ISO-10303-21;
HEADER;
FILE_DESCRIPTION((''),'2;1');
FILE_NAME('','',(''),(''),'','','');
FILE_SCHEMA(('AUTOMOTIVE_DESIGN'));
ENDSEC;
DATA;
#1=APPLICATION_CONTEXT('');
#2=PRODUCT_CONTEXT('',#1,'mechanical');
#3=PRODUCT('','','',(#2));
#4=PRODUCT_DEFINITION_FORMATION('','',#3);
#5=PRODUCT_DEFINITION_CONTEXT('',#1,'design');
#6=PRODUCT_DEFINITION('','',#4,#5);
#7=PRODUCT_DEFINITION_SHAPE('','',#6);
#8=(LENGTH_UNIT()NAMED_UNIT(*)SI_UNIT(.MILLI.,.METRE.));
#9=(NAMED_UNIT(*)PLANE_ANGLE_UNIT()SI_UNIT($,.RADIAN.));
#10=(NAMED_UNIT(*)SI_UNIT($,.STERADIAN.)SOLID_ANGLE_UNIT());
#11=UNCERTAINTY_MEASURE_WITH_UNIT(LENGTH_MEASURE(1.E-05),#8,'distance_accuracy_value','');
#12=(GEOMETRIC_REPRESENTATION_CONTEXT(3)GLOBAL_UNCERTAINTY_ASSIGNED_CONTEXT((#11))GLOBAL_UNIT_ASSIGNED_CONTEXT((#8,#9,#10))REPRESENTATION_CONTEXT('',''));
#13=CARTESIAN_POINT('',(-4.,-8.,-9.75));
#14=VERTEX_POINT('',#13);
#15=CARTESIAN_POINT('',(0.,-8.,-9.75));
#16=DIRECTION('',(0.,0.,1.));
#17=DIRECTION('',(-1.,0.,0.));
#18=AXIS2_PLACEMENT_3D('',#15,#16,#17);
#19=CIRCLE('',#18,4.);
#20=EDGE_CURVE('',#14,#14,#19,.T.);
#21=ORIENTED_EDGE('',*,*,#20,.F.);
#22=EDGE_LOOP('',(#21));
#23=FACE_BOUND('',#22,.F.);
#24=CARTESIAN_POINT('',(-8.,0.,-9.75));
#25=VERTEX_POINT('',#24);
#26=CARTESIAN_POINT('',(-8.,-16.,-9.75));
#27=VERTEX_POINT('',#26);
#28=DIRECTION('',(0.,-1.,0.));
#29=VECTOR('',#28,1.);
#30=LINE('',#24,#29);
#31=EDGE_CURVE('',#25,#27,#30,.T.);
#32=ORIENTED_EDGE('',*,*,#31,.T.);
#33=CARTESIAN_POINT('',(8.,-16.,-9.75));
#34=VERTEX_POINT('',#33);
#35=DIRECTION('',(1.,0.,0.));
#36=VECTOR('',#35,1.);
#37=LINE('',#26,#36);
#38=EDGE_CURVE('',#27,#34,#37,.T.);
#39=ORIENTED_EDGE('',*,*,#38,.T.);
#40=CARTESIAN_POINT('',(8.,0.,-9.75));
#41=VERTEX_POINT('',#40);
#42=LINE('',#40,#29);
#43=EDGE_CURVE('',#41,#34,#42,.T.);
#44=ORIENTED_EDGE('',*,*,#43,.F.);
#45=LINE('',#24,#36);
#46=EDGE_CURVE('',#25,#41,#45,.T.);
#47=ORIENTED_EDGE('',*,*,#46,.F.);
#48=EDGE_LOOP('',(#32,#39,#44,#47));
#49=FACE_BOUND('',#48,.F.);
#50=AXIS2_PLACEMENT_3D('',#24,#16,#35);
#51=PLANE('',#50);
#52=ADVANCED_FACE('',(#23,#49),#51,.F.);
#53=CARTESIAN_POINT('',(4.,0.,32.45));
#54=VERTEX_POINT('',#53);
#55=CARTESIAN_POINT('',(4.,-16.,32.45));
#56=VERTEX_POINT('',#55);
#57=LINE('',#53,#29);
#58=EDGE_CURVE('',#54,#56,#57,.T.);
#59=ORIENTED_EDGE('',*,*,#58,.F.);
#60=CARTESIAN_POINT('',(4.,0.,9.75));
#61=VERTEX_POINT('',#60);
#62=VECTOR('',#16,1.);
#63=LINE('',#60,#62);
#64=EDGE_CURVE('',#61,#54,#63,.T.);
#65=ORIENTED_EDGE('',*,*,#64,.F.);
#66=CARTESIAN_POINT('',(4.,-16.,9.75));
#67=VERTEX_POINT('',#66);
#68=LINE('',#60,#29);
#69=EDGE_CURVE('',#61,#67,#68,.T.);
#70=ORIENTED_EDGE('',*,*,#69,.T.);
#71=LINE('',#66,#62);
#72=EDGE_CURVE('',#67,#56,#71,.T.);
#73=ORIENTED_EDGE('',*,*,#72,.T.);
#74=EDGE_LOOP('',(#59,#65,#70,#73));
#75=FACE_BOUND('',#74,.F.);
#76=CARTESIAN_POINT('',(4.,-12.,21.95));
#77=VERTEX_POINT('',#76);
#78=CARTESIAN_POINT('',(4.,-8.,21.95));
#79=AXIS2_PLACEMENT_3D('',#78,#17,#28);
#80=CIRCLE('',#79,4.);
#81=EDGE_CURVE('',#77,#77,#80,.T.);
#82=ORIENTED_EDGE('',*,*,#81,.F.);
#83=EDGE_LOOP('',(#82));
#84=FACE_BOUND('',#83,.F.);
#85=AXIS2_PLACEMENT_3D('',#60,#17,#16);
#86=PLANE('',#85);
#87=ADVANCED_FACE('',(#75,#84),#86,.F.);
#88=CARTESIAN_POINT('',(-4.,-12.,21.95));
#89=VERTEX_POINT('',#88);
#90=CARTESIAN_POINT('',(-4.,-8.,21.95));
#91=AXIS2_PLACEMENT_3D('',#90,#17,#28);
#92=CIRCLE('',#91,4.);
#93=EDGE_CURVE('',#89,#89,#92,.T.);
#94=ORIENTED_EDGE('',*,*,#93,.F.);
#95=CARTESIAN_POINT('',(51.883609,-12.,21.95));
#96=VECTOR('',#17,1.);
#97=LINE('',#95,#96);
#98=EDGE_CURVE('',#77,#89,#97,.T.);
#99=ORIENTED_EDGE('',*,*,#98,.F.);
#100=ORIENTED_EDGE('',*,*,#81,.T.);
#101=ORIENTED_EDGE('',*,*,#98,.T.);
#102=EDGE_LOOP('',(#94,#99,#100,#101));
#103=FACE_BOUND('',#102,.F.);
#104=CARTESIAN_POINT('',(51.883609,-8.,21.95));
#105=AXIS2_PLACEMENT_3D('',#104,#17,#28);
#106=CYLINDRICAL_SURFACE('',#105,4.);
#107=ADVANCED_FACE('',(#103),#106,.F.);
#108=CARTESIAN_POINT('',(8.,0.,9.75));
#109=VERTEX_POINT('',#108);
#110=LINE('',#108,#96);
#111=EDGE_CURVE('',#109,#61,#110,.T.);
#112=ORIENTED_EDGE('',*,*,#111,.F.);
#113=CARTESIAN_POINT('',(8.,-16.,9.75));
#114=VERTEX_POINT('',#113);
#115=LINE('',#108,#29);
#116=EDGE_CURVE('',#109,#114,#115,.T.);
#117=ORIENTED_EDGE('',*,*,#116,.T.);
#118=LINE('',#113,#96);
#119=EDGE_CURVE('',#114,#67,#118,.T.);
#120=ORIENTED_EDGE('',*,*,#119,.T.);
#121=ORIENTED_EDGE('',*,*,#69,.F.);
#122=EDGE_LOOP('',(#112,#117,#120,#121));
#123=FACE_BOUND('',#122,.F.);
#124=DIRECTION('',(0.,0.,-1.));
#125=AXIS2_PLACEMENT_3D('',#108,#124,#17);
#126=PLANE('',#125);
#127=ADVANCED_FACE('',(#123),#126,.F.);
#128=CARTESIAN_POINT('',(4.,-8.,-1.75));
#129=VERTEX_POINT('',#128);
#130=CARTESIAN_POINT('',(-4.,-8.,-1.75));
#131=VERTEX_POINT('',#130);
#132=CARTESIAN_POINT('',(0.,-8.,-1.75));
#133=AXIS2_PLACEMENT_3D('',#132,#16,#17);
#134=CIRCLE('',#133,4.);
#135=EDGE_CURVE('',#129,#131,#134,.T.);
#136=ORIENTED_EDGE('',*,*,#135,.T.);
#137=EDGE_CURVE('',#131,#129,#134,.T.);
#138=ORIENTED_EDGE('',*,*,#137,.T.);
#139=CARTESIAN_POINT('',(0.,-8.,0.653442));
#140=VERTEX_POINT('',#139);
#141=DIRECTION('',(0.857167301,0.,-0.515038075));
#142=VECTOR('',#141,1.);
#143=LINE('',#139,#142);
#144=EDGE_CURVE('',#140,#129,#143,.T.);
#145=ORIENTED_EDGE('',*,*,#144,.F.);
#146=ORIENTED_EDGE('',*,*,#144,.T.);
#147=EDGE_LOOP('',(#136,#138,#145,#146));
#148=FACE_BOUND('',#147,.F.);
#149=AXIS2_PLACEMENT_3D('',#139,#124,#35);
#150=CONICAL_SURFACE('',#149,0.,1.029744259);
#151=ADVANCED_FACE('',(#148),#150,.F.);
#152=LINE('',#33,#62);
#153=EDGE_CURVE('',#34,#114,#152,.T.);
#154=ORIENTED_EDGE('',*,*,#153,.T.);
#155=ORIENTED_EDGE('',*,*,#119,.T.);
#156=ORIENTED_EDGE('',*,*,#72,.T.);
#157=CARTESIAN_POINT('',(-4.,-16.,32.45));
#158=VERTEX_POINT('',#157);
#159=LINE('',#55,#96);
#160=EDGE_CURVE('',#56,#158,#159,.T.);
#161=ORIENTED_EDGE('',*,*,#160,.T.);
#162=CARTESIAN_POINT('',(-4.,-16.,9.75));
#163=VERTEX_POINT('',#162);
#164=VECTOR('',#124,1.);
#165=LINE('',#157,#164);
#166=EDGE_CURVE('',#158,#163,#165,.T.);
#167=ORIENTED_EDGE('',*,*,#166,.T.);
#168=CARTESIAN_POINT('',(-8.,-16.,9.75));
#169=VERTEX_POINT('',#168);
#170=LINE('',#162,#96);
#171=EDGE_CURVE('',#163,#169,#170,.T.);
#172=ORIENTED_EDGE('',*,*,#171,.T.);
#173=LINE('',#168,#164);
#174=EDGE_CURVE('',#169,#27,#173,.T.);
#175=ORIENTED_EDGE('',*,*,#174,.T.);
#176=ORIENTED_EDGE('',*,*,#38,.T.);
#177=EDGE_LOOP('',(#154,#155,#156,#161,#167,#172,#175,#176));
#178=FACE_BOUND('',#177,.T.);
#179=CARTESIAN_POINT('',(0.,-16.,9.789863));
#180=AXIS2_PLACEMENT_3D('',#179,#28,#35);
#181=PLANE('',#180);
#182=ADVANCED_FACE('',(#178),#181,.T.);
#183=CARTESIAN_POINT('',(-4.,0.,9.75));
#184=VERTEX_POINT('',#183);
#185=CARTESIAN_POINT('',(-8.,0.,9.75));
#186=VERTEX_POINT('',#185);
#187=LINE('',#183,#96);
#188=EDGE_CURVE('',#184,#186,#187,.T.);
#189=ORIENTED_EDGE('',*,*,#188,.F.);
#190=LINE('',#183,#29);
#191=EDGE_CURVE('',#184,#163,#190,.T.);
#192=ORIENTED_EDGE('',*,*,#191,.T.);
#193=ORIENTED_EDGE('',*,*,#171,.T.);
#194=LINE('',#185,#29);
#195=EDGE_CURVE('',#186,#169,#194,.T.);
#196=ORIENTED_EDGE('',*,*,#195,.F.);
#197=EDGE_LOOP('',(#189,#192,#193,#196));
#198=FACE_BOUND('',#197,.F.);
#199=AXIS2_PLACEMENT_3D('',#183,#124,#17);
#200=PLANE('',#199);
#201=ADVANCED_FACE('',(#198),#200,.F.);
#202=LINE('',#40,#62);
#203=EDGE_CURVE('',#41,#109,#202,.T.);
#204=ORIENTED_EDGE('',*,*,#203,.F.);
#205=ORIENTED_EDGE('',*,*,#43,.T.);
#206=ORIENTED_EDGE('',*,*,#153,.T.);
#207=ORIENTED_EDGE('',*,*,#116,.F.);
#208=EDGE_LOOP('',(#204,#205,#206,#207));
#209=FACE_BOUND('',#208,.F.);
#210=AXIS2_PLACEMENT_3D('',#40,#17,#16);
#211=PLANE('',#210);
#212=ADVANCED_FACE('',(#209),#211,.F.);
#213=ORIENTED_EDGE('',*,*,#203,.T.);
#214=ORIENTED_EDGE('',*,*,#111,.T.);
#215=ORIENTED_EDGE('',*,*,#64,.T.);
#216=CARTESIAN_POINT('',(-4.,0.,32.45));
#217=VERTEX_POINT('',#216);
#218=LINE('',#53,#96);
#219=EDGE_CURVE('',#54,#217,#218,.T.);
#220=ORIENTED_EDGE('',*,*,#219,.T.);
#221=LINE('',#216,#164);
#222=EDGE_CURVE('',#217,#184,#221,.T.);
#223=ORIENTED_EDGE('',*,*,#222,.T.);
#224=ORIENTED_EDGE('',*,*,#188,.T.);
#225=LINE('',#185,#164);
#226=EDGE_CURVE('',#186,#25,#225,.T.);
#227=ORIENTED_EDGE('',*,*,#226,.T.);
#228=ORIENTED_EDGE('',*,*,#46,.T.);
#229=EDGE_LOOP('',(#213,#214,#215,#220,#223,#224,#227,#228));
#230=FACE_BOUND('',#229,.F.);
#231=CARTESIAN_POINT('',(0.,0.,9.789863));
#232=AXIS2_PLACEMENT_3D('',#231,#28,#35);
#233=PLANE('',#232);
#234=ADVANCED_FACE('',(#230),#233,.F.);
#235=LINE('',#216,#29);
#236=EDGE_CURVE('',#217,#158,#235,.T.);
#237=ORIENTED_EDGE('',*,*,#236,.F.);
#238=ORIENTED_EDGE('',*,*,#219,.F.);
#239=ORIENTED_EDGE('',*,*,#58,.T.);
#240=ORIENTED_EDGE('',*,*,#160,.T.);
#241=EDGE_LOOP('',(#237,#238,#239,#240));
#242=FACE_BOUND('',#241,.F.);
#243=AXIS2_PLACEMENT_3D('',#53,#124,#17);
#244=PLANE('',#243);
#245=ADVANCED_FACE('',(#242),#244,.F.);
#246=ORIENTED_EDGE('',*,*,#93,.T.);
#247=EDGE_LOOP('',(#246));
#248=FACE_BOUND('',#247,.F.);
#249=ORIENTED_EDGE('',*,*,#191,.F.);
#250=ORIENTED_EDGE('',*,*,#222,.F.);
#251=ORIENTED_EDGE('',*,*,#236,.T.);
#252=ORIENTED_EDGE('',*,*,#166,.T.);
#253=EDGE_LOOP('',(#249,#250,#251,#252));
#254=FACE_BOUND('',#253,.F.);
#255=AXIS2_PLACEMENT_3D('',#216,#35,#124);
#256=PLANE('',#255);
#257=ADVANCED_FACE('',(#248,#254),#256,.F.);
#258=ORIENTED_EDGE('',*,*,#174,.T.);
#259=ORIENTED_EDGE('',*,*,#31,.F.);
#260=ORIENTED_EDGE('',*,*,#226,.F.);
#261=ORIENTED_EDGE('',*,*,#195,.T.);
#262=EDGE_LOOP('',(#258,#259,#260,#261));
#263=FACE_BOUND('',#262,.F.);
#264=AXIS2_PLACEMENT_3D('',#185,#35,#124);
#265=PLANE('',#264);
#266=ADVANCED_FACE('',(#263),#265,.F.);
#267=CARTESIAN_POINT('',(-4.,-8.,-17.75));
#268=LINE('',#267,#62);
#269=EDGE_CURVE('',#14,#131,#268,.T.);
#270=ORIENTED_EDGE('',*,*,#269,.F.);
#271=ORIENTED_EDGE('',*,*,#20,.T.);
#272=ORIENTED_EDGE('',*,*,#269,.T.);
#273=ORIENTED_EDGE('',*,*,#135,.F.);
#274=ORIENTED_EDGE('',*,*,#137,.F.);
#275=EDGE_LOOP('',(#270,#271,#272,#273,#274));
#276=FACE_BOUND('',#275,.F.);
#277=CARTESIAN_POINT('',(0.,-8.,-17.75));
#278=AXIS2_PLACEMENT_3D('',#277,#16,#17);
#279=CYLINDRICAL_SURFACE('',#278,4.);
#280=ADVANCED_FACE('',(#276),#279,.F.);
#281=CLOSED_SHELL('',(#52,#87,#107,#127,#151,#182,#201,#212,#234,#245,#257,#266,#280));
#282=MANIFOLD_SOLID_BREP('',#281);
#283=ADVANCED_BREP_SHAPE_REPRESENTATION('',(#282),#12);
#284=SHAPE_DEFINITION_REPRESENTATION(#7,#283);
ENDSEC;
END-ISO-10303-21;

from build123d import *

# Parameters (mm, degrees)
F1_DEPTH = 16
F3_D     = 8
F5_D     = 8
F5_DEPTH = 8
F5_TIP   = 2.4034424761


with BuildPart() as f1:
    # F0 (on Front) → F1 (new body)
    with BuildSketch(Plane.XZ):
        Polygon((-8, -9.75), (8, -9.75), (8, 9.75), (4, 9.75), (4, 32.45), (0, 32.45), (-4, 32.45), (-4, 9.75), (-8, 9.75), align=None)
    extrude(amount=F1_DEPTH)

    # F3 (through all)
    with Locations(Plane.YZ.offset(4)):
        with Locations((-8, 21.95)):
            Hole(F3_D / 2)

    # F5
    with Locations(Plane(origin=(0, 0, -9.75), x_dir=(1, 0, 0), z_dir=(0, 0, -1))):
        with Locations((0, 8)):
            Hole(F5_D / 2, depth=F5_DEPTH)
            with Locations((0, 0, -(F5_DEPTH + F5_TIP / 2))):  # 118° drill point
                Cone(0, F5_D / 2, F5_TIP, mode=Mode.SUBTRACT)


solid = f1.part
